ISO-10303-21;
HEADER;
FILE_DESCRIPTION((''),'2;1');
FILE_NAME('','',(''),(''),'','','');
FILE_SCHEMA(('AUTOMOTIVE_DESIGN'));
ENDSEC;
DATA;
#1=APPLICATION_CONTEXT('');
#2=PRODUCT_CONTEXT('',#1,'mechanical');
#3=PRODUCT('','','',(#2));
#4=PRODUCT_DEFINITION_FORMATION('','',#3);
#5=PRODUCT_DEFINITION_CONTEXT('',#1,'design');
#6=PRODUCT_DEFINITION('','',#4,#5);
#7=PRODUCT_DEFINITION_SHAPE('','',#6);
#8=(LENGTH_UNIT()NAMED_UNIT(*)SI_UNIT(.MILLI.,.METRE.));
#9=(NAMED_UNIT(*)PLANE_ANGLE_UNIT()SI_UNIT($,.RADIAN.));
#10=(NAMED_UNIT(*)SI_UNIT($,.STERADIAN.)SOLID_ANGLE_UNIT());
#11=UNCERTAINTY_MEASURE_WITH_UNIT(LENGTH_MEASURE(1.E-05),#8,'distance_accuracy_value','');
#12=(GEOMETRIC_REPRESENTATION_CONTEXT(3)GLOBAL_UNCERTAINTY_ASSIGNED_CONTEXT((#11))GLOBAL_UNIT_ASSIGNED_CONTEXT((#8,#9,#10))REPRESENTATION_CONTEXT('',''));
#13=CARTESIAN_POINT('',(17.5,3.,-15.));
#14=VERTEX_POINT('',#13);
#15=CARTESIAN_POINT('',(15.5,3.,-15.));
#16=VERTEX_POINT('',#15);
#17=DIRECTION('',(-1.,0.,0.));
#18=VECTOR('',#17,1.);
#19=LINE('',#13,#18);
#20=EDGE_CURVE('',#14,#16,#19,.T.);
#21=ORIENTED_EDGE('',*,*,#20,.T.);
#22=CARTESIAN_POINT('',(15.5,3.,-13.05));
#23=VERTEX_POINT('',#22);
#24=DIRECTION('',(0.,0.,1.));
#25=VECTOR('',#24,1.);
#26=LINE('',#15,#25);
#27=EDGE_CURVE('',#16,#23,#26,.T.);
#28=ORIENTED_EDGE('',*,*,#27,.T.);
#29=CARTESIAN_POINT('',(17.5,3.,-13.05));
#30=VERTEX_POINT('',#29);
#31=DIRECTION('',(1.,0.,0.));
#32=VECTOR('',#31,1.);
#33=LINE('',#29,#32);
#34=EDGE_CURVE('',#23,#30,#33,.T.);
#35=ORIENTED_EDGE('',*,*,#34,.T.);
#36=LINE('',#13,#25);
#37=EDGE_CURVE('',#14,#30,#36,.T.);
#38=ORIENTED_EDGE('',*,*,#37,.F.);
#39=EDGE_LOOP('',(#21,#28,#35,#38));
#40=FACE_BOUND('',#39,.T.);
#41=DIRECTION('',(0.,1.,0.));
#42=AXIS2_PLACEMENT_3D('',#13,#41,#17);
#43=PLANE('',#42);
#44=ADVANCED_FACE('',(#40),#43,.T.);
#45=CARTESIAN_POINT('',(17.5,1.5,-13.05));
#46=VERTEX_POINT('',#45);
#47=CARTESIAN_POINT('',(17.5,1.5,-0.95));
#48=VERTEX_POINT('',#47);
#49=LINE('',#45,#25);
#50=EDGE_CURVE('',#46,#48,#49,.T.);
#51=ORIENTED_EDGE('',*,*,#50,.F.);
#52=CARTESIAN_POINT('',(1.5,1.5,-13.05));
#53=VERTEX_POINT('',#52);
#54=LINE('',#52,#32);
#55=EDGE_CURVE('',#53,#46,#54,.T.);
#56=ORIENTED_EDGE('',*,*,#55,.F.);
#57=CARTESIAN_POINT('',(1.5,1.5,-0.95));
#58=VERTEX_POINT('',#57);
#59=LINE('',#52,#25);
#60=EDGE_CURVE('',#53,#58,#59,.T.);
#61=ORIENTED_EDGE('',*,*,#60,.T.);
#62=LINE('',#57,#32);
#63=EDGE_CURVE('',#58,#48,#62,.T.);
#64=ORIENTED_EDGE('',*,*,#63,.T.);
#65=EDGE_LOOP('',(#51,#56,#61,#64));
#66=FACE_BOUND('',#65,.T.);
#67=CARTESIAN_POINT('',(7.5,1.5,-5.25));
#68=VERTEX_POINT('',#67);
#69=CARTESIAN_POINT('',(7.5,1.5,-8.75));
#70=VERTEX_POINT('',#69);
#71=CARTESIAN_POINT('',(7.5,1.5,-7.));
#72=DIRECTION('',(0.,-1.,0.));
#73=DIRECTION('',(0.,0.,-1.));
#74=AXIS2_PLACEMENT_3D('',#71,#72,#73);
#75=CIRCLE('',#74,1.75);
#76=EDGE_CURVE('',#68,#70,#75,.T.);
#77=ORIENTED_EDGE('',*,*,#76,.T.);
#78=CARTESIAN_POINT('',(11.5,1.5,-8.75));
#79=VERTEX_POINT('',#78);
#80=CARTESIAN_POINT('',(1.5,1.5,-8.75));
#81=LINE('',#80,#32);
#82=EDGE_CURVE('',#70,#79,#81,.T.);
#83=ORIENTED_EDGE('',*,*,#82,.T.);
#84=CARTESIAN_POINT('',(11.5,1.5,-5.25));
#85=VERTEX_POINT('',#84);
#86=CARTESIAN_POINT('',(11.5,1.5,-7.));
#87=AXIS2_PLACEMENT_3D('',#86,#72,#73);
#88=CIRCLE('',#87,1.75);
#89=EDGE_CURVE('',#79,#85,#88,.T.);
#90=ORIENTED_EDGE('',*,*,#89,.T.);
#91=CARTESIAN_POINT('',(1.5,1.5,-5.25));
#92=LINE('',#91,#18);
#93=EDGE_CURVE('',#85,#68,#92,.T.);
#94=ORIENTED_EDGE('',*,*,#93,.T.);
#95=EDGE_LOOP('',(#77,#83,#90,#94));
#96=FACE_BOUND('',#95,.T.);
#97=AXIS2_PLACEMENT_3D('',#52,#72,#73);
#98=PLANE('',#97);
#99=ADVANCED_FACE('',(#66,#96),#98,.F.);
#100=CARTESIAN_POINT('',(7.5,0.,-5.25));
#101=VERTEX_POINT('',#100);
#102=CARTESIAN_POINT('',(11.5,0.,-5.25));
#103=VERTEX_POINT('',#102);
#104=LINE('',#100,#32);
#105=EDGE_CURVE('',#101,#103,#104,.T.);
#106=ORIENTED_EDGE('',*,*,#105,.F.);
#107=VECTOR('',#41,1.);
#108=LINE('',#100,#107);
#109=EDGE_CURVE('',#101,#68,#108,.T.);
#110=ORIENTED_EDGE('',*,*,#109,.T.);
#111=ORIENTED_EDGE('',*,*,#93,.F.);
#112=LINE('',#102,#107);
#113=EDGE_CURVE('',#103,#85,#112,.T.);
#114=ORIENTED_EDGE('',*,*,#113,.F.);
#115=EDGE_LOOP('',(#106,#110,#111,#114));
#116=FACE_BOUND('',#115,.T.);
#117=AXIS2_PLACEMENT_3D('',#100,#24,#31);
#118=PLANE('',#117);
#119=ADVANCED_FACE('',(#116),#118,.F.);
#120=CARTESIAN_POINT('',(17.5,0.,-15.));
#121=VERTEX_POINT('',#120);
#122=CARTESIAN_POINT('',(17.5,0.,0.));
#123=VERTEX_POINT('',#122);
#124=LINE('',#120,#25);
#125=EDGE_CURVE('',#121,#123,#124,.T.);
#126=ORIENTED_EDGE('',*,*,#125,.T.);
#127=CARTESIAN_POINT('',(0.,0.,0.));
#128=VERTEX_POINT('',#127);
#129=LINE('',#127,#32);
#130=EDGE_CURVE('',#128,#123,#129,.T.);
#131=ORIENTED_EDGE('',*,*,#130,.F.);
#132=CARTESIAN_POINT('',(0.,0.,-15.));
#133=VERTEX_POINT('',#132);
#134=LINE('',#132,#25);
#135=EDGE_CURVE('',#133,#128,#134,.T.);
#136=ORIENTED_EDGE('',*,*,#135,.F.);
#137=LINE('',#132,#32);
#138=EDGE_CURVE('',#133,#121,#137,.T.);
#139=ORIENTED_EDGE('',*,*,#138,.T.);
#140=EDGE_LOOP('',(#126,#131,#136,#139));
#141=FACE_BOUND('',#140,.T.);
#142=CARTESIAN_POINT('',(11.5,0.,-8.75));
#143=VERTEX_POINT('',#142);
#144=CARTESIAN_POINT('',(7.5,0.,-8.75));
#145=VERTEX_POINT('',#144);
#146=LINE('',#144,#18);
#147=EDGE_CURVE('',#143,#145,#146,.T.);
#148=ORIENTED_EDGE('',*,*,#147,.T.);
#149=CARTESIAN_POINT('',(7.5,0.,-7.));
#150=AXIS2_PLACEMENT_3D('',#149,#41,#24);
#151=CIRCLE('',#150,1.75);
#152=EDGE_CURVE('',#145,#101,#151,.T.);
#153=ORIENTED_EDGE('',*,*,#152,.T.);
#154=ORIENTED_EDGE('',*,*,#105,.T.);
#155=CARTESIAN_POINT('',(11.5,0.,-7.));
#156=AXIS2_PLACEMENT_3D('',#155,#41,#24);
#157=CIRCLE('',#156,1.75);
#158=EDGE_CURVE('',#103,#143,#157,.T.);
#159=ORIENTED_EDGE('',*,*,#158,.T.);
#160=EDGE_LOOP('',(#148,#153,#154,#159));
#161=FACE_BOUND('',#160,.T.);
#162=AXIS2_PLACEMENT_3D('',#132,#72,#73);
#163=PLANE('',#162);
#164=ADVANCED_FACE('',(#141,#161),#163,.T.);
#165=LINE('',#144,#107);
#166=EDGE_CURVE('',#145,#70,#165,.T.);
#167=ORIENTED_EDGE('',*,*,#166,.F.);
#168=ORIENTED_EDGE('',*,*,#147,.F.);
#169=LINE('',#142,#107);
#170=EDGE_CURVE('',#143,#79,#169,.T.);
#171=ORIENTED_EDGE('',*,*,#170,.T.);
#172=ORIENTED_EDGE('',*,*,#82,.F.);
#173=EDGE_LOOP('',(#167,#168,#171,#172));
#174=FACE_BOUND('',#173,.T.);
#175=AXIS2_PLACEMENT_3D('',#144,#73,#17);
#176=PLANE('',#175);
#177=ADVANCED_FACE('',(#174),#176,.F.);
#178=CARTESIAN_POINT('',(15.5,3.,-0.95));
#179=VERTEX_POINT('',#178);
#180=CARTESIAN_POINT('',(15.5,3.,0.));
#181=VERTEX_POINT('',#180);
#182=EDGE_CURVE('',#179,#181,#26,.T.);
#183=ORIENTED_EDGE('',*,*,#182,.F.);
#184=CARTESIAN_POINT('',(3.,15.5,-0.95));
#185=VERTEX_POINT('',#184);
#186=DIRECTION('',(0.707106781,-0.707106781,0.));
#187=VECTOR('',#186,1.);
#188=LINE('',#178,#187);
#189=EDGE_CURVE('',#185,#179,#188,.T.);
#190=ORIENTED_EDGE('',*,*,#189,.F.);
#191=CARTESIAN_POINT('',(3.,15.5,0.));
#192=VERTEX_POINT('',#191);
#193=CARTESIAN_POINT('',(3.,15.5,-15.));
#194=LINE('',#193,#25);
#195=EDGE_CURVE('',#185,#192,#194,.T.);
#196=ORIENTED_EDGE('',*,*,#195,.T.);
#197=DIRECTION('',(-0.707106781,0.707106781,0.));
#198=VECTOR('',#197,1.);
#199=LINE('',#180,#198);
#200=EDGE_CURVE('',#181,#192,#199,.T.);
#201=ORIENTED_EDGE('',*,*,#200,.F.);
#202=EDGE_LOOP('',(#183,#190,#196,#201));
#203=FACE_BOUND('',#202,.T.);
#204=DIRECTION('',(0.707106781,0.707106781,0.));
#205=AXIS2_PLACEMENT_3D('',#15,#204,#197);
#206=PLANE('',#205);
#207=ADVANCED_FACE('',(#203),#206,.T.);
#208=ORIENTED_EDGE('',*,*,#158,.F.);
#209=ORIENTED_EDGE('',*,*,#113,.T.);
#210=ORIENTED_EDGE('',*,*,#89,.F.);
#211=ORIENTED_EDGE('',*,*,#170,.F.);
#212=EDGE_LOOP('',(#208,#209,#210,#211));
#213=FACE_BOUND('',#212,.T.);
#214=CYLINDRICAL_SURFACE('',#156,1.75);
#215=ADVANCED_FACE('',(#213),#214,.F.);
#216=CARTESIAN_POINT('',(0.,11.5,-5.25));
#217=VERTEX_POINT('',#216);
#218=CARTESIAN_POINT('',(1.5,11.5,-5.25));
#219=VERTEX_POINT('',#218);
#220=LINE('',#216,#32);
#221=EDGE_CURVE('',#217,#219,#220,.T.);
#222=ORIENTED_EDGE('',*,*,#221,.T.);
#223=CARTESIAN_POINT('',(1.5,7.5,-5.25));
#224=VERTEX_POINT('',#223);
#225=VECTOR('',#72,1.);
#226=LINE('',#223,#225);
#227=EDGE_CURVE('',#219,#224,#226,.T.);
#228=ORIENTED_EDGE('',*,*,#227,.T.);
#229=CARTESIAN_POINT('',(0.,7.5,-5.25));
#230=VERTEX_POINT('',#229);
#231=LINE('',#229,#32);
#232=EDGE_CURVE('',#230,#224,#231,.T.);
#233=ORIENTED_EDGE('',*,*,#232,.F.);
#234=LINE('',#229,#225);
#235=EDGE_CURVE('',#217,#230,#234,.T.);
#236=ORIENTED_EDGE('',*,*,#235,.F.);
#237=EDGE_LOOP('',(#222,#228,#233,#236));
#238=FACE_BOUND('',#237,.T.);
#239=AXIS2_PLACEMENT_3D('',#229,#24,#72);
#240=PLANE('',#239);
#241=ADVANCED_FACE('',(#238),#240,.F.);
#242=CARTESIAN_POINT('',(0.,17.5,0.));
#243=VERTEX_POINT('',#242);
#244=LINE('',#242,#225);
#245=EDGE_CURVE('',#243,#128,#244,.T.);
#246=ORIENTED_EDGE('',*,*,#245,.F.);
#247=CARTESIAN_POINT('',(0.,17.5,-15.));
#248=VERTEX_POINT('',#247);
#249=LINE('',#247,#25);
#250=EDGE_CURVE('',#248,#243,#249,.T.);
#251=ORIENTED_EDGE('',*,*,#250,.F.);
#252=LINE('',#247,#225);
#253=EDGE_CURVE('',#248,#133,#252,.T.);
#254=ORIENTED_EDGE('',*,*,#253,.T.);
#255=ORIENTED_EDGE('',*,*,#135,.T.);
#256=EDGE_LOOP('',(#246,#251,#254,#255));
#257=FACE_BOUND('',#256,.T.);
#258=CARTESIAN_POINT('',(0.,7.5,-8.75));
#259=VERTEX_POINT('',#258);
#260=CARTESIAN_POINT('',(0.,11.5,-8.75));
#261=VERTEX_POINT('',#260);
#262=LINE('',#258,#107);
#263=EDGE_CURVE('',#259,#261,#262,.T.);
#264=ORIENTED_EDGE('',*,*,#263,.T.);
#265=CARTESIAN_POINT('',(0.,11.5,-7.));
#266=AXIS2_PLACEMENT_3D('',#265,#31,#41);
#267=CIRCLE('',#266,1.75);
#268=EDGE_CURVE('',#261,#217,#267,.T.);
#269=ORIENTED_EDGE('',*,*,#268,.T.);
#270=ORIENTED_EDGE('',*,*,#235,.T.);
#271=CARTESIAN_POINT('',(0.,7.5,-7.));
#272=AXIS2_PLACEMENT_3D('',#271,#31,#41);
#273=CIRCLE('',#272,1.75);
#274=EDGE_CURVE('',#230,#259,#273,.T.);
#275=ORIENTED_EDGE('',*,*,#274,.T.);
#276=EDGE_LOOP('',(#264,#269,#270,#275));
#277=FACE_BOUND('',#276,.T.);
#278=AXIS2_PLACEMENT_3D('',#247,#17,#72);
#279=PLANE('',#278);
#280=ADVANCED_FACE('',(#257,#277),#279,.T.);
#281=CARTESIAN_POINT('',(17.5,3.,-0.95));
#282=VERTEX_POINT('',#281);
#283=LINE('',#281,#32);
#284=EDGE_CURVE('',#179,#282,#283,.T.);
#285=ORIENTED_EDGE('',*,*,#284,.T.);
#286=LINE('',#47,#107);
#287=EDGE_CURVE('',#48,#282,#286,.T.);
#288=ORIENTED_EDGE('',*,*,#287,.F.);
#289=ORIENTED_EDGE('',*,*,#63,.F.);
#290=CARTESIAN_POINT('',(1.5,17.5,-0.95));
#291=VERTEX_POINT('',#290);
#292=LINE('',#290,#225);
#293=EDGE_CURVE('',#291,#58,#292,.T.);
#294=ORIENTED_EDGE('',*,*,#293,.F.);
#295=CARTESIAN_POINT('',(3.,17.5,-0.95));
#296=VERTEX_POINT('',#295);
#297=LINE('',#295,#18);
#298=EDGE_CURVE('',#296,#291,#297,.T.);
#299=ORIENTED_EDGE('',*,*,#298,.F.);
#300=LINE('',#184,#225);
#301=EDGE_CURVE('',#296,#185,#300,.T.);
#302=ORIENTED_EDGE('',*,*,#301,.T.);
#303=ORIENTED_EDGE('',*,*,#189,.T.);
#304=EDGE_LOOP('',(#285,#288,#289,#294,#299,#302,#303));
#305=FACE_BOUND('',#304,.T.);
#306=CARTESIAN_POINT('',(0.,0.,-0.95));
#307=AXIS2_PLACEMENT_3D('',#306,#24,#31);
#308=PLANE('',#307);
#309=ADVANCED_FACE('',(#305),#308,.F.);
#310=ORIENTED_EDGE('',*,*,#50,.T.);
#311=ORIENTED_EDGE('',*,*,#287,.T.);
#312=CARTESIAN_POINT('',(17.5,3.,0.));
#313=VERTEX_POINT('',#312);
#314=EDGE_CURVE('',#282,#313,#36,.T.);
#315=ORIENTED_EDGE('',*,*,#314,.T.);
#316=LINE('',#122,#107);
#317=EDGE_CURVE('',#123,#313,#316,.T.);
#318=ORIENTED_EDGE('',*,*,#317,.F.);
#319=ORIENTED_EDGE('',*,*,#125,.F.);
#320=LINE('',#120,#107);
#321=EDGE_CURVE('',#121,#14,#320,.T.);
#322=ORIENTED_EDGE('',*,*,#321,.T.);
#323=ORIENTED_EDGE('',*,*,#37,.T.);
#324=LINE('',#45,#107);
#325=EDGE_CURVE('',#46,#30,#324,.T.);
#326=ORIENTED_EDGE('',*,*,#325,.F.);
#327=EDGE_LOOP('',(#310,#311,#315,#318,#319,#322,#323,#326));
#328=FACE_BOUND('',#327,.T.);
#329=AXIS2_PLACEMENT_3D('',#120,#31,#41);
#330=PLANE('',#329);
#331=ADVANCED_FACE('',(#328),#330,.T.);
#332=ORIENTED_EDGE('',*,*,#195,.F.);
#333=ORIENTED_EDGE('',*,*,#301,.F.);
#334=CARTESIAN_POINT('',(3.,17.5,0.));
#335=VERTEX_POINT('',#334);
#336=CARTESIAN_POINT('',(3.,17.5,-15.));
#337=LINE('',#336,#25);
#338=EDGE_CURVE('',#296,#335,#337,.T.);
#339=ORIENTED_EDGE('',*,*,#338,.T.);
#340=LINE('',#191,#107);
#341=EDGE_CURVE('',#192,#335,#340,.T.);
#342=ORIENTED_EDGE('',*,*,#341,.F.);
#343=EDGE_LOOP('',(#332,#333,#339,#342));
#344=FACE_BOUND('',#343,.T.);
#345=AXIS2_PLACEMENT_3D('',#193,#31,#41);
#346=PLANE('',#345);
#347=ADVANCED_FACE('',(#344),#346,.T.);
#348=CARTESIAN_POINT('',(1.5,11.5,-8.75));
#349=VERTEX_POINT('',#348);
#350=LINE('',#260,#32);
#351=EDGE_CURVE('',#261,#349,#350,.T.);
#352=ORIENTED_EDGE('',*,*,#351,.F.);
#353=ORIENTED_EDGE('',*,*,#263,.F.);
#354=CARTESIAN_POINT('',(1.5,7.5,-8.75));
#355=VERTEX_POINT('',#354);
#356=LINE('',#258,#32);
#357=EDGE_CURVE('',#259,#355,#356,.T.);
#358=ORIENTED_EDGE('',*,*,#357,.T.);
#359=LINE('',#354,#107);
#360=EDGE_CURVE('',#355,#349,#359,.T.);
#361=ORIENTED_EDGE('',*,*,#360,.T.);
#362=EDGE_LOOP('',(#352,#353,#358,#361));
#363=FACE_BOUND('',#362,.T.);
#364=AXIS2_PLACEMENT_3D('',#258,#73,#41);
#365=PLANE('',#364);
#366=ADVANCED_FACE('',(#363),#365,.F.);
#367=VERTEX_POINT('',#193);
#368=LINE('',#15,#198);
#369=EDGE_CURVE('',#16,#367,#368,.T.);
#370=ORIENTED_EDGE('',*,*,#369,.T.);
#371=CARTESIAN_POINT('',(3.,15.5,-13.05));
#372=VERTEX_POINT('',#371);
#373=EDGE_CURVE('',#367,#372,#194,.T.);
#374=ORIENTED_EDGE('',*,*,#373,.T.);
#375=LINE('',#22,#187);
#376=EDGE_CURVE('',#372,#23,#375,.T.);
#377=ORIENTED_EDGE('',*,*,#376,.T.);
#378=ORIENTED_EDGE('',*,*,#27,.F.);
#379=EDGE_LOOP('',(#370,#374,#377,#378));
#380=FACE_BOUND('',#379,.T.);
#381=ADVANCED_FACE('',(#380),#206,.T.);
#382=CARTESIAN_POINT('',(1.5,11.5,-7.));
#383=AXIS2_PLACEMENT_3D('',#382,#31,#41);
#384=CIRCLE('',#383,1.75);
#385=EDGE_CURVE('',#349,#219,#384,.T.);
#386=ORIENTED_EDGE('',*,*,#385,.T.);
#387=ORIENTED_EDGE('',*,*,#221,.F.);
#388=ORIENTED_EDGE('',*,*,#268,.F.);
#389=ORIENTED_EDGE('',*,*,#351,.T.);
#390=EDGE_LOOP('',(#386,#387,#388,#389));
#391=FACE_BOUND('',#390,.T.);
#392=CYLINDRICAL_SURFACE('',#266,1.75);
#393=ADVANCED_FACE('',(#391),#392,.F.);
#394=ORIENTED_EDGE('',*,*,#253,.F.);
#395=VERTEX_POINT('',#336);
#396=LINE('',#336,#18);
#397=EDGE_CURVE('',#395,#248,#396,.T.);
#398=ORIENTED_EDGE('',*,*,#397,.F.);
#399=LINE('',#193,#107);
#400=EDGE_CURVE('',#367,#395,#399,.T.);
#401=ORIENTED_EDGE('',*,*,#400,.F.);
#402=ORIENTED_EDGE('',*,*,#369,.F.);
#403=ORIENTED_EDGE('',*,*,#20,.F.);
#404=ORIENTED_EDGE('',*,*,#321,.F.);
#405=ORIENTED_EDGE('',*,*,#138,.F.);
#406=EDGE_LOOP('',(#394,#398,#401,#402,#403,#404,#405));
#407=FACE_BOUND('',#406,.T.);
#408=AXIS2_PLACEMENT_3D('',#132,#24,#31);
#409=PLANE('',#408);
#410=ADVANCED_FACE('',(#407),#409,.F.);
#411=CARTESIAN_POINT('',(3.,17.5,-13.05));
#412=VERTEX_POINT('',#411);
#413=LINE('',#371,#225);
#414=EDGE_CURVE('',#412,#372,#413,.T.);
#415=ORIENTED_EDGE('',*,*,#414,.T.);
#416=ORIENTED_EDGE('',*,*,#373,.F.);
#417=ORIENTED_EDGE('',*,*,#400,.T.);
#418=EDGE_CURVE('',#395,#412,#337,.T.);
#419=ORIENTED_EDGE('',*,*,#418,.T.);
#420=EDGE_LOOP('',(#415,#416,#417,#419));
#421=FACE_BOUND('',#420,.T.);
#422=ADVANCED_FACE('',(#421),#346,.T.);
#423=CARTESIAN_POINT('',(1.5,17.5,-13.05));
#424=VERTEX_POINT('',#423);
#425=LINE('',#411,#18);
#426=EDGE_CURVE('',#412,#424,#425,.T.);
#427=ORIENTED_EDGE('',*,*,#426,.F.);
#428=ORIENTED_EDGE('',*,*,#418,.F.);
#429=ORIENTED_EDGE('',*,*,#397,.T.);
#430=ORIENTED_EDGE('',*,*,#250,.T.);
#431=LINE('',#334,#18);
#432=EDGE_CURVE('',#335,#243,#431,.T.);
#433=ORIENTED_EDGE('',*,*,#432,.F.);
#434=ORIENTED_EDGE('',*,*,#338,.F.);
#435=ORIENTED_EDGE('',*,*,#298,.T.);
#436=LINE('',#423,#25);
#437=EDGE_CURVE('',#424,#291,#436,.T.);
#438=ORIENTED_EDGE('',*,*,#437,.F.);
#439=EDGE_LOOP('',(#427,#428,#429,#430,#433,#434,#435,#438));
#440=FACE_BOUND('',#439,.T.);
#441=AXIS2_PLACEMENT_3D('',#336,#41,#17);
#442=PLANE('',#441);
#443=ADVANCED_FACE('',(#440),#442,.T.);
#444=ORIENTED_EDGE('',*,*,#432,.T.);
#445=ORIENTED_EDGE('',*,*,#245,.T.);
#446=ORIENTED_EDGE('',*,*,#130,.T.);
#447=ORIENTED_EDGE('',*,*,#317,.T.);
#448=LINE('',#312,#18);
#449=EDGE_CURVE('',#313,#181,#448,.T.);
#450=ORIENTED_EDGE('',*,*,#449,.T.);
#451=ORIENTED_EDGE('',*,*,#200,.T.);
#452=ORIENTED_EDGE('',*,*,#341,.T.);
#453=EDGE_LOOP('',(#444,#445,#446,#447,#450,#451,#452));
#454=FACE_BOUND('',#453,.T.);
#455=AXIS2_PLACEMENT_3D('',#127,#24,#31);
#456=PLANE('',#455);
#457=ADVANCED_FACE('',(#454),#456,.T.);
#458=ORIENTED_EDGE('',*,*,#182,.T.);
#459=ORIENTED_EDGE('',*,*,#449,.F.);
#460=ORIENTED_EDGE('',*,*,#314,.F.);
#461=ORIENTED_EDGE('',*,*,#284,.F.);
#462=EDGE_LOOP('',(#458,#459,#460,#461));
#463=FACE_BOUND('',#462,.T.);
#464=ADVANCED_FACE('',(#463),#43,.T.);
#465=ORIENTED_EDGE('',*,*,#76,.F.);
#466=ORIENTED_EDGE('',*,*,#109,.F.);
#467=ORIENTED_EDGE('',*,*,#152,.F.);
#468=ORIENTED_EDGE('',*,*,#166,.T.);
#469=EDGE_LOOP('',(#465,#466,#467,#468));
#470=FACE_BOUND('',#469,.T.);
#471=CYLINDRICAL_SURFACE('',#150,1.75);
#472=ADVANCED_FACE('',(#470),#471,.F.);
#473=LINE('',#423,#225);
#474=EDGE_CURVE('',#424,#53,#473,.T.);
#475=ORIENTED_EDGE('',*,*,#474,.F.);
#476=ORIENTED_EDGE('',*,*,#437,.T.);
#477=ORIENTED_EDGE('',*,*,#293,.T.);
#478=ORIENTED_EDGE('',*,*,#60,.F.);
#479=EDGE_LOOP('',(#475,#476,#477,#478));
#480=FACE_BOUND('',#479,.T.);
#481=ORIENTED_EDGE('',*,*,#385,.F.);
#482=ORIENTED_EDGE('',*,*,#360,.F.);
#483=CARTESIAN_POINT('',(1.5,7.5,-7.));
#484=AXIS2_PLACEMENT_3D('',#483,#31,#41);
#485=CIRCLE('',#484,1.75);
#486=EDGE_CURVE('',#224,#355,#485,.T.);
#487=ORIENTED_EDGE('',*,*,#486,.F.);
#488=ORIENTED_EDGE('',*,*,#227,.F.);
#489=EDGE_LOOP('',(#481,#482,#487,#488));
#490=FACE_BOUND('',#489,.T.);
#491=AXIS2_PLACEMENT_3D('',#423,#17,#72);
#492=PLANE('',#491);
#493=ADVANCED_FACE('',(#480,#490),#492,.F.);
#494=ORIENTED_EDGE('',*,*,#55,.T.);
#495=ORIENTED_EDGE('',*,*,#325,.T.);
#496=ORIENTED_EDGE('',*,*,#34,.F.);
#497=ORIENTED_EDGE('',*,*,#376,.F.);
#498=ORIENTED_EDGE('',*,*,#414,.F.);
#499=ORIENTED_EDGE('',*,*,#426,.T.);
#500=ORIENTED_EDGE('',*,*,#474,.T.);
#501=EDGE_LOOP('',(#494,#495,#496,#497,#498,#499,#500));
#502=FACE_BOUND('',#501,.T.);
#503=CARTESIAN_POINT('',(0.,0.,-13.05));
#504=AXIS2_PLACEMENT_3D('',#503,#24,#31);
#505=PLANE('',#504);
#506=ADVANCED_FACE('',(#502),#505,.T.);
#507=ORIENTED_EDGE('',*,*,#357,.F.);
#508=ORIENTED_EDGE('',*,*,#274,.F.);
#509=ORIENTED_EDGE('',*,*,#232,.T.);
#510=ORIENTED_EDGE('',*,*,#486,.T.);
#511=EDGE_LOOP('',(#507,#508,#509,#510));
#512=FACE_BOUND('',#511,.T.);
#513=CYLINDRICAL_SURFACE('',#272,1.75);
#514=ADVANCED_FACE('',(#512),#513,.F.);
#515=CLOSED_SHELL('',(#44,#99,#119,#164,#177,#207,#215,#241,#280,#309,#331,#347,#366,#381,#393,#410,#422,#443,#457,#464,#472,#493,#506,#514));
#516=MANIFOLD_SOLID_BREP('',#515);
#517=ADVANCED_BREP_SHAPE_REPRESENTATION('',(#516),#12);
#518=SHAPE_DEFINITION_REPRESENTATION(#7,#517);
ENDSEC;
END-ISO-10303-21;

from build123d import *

# Parameters (mm, degrees)
BOSS_EXTRUDE1_DEPTH     = 15
CUT_EXTRUDE1_START      = -7
CUT_EXTRUDE1_DEPTH      = 6.05
CUT_EXTRUDE2_DEPTH      = 29.057975693
CUT_EXTRUDE2_DEPTH_BACK = 29.057975693
CUT_EXTRUDE3_DEPTH      = 29.057975693
CUT_EXTRUDE3_DEPTH_BACK = 29.057975693


with BuildPart() as part:
    # Sketch1 → Boss-Extrude1 (new body)
    with BuildSketch(Plane.XY):
        Polygon((0, 17.5), (0, 0), (17.5, 0), (17.5, 3), (15.5, 3), (3, 15.5), (3, 17.5), align=None)
    extrude(amount=-BOSS_EXTRUDE1_DEPTH)

    # Sketch4 → Cut-Extrude1 (cut, symmetric)
    with BuildSketch(Plane.XY.offset(CUT_EXTRUDE1_START)):
        Polygon((1.5, 17.5), (1.5, 1.5), (17.5, 1.5), (17.5, 3), (3, 17.5), align=None)
    extrude(amount=CUT_EXTRUDE1_DEPTH, both=True, mode=Mode.SUBTRACT)

    # Sketch5 → Cut-Extrude2 (cut, two sides: drawn at the far end of the back side and taken through both)
    with BuildSketch(Plane(origin=(0, 1.5, 0), x_dir=(1, 0, 0), z_dir=(0, 1, 0)).offset(-CUT_EXTRUDE2_DEPTH_BACK)):
        with BuildLine():
            Line((7.5, 8.75), (11.5, 8.75))
            ThreePointArc((11.5, 8.75), (13.25, 7), (11.5, 5.25))
            Line((11.5, 5.25), (7.5, 5.25))
            ThreePointArc((7.5, 5.25), (5.75, 7), (7.5, 8.75))
        make_face()
    extrude(amount=CUT_EXTRUDE2_DEPTH + CUT_EXTRUDE2_DEPTH_BACK, mode=Mode.SUBTRACT)

    # Sketch6 → Cut-Extrude3 (cut, two sides: drawn at the far end of the back side and taken through both)
    with BuildSketch(Plane(origin=(1.5, 0, 0), x_dir=(0, 0, -1), z_dir=(1, 0, 0)).offset(-CUT_EXTRUDE3_DEPTH_BACK)):
        with BuildLine():
            Line((5.25, 7.5), (5.25, 11.5))
            ThreePointArc((5.25, 11.5), (7, 13.25), (8.75, 11.5))
            Line((8.75, 11.5), (8.75, 7.5))
            ThreePointArc((8.75, 7.5), (7, 5.75), (5.25, 7.5))
        make_face()
    extrude(amount=CUT_EXTRUDE3_DEPTH + CUT_EXTRUDE3_DEPTH_BACK, mode=Mode.SUBTRACT)


solid = part.part
